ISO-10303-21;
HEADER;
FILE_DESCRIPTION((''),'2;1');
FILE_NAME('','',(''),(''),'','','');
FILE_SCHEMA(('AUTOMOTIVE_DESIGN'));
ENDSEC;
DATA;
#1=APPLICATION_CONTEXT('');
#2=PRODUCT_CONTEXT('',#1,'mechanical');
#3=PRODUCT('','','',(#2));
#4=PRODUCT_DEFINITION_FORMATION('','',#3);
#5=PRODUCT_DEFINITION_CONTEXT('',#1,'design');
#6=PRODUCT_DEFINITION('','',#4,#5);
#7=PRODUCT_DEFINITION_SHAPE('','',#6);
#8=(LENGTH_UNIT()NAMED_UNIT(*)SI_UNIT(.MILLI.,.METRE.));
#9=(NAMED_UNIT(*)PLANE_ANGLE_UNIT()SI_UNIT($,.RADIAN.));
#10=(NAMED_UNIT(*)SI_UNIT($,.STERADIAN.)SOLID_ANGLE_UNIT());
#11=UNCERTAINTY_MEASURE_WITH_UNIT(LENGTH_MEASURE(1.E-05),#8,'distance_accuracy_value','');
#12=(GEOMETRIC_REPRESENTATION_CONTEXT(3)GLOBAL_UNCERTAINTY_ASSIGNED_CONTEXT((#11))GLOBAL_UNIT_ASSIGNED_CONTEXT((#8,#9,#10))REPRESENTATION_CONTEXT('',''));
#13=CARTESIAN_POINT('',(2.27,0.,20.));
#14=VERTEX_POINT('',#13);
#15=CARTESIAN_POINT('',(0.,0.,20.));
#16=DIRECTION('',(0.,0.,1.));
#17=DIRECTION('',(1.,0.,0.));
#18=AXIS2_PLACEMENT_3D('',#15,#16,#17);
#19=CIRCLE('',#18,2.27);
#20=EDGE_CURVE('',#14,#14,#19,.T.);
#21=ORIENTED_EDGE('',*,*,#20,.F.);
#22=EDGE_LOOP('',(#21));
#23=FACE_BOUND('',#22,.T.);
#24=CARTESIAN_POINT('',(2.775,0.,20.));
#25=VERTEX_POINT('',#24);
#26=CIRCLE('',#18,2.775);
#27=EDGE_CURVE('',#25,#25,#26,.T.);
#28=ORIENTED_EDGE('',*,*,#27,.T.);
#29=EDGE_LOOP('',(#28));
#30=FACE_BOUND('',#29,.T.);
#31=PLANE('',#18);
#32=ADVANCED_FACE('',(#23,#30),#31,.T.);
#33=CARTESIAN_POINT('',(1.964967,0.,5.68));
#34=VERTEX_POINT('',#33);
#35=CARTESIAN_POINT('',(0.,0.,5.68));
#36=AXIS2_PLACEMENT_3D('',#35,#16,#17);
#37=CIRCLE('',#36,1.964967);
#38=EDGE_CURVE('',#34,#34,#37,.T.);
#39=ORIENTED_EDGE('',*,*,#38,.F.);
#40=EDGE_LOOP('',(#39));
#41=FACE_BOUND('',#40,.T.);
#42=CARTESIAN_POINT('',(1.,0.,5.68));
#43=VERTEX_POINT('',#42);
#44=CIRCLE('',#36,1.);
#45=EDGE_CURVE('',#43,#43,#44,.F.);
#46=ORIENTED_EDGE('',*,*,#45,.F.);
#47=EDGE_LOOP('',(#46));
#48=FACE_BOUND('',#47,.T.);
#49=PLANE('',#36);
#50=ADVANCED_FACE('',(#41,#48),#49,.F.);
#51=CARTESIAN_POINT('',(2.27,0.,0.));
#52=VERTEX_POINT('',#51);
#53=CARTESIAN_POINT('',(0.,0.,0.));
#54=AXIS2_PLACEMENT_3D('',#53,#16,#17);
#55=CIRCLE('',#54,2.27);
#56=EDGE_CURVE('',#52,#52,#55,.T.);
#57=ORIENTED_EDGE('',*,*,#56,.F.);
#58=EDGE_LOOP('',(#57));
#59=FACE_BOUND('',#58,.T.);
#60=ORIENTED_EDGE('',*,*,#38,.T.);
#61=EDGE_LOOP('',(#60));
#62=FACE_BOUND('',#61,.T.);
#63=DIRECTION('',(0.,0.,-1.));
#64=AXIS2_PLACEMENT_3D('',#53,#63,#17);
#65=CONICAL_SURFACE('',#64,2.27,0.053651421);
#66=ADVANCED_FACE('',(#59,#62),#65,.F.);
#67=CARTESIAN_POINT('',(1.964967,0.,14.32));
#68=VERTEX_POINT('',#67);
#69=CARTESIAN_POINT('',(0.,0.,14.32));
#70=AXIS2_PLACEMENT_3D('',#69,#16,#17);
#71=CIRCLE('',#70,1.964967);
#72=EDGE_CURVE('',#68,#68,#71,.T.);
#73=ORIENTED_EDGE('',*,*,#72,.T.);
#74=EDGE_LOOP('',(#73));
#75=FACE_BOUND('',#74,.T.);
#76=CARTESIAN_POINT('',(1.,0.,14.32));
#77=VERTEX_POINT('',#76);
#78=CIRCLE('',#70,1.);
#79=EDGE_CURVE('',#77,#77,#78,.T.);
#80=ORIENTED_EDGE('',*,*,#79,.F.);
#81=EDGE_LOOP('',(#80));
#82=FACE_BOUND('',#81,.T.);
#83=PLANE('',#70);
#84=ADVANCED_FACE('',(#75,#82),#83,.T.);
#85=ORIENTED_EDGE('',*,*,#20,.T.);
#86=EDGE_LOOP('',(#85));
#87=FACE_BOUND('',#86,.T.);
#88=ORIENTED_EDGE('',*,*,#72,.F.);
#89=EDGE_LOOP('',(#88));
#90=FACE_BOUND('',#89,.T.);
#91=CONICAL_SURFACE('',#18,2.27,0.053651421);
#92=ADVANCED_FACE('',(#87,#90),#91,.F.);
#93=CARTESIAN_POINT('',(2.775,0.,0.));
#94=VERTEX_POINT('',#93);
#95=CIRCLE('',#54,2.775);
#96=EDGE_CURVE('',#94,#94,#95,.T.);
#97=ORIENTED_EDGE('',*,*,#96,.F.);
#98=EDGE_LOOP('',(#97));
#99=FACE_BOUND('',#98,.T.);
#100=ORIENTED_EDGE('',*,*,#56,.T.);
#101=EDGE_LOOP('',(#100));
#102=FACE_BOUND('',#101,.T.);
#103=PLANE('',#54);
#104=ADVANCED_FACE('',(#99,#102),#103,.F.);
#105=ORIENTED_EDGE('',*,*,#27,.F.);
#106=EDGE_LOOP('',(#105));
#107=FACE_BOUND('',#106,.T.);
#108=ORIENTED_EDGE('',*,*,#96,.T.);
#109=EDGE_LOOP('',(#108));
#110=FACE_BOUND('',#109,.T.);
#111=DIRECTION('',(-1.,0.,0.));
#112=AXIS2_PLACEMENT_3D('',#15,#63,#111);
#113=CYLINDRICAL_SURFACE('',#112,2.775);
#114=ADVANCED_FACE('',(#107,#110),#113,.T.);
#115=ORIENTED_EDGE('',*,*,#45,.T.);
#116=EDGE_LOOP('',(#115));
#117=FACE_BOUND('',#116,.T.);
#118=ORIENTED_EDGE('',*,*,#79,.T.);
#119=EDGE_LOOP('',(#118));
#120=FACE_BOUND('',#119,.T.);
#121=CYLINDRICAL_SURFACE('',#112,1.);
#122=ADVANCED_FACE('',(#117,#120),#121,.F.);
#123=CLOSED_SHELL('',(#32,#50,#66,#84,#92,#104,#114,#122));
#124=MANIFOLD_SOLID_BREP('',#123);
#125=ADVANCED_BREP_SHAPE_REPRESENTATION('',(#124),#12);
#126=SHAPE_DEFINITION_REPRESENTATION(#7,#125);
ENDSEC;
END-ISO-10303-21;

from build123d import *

# Parameters (mm, degrees)
SKETCH1_R           = 2.775
BOSS_EXTRUDE1_DEPTH = 20
SKETCH2_R           = 2.27
CUT_EXTRUDE1_DEPTH  = 5.68
CUT_EXTRUDE1_TAPER  = 3.074
SKETCH7_R           = 1
CUT_EXTRUDE2_DEPTH  = 21
SKETCH9_R           = 2.27
CUT_EXTRUDE3_DEPTH  = 5.68
CUT_EXTRUDE3_TAPER  = 3.074


with BuildPart() as part:
    # Sketch1 → Boss-Extrude1 (new body)
    with BuildSketch(Plane.XY):
        Circle(SKETCH1_R)
    extrude(amount=BOSS_EXTRUDE1_DEPTH)

    # Sketch2 → Cut-Extrude1 (cut)
    with BuildSketch(Plane.XY):
        Circle(SKETCH2_R)
    extrude(amount=CUT_EXTRUDE1_DEPTH, taper=CUT_EXTRUDE1_TAPER, mode=Mode.SUBTRACT)

    # Sketch7 → Cut-Extrude2 (cut, through all)
    with BuildSketch(Plane.XY):
        Circle(SKETCH7_R)
    extrude(amount=CUT_EXTRUDE2_DEPTH, mode=Mode.SUBTRACT)

    # Sketch9 → Cut-Extrude3 (cut)
    with BuildSketch(Plane.XY.offset(20)):
        Circle(SKETCH9_R)
    extrude(amount=-CUT_EXTRUDE3_DEPTH, taper=CUT_EXTRUDE3_TAPER, mode=Mode.SUBTRACT)


solid = part.part
